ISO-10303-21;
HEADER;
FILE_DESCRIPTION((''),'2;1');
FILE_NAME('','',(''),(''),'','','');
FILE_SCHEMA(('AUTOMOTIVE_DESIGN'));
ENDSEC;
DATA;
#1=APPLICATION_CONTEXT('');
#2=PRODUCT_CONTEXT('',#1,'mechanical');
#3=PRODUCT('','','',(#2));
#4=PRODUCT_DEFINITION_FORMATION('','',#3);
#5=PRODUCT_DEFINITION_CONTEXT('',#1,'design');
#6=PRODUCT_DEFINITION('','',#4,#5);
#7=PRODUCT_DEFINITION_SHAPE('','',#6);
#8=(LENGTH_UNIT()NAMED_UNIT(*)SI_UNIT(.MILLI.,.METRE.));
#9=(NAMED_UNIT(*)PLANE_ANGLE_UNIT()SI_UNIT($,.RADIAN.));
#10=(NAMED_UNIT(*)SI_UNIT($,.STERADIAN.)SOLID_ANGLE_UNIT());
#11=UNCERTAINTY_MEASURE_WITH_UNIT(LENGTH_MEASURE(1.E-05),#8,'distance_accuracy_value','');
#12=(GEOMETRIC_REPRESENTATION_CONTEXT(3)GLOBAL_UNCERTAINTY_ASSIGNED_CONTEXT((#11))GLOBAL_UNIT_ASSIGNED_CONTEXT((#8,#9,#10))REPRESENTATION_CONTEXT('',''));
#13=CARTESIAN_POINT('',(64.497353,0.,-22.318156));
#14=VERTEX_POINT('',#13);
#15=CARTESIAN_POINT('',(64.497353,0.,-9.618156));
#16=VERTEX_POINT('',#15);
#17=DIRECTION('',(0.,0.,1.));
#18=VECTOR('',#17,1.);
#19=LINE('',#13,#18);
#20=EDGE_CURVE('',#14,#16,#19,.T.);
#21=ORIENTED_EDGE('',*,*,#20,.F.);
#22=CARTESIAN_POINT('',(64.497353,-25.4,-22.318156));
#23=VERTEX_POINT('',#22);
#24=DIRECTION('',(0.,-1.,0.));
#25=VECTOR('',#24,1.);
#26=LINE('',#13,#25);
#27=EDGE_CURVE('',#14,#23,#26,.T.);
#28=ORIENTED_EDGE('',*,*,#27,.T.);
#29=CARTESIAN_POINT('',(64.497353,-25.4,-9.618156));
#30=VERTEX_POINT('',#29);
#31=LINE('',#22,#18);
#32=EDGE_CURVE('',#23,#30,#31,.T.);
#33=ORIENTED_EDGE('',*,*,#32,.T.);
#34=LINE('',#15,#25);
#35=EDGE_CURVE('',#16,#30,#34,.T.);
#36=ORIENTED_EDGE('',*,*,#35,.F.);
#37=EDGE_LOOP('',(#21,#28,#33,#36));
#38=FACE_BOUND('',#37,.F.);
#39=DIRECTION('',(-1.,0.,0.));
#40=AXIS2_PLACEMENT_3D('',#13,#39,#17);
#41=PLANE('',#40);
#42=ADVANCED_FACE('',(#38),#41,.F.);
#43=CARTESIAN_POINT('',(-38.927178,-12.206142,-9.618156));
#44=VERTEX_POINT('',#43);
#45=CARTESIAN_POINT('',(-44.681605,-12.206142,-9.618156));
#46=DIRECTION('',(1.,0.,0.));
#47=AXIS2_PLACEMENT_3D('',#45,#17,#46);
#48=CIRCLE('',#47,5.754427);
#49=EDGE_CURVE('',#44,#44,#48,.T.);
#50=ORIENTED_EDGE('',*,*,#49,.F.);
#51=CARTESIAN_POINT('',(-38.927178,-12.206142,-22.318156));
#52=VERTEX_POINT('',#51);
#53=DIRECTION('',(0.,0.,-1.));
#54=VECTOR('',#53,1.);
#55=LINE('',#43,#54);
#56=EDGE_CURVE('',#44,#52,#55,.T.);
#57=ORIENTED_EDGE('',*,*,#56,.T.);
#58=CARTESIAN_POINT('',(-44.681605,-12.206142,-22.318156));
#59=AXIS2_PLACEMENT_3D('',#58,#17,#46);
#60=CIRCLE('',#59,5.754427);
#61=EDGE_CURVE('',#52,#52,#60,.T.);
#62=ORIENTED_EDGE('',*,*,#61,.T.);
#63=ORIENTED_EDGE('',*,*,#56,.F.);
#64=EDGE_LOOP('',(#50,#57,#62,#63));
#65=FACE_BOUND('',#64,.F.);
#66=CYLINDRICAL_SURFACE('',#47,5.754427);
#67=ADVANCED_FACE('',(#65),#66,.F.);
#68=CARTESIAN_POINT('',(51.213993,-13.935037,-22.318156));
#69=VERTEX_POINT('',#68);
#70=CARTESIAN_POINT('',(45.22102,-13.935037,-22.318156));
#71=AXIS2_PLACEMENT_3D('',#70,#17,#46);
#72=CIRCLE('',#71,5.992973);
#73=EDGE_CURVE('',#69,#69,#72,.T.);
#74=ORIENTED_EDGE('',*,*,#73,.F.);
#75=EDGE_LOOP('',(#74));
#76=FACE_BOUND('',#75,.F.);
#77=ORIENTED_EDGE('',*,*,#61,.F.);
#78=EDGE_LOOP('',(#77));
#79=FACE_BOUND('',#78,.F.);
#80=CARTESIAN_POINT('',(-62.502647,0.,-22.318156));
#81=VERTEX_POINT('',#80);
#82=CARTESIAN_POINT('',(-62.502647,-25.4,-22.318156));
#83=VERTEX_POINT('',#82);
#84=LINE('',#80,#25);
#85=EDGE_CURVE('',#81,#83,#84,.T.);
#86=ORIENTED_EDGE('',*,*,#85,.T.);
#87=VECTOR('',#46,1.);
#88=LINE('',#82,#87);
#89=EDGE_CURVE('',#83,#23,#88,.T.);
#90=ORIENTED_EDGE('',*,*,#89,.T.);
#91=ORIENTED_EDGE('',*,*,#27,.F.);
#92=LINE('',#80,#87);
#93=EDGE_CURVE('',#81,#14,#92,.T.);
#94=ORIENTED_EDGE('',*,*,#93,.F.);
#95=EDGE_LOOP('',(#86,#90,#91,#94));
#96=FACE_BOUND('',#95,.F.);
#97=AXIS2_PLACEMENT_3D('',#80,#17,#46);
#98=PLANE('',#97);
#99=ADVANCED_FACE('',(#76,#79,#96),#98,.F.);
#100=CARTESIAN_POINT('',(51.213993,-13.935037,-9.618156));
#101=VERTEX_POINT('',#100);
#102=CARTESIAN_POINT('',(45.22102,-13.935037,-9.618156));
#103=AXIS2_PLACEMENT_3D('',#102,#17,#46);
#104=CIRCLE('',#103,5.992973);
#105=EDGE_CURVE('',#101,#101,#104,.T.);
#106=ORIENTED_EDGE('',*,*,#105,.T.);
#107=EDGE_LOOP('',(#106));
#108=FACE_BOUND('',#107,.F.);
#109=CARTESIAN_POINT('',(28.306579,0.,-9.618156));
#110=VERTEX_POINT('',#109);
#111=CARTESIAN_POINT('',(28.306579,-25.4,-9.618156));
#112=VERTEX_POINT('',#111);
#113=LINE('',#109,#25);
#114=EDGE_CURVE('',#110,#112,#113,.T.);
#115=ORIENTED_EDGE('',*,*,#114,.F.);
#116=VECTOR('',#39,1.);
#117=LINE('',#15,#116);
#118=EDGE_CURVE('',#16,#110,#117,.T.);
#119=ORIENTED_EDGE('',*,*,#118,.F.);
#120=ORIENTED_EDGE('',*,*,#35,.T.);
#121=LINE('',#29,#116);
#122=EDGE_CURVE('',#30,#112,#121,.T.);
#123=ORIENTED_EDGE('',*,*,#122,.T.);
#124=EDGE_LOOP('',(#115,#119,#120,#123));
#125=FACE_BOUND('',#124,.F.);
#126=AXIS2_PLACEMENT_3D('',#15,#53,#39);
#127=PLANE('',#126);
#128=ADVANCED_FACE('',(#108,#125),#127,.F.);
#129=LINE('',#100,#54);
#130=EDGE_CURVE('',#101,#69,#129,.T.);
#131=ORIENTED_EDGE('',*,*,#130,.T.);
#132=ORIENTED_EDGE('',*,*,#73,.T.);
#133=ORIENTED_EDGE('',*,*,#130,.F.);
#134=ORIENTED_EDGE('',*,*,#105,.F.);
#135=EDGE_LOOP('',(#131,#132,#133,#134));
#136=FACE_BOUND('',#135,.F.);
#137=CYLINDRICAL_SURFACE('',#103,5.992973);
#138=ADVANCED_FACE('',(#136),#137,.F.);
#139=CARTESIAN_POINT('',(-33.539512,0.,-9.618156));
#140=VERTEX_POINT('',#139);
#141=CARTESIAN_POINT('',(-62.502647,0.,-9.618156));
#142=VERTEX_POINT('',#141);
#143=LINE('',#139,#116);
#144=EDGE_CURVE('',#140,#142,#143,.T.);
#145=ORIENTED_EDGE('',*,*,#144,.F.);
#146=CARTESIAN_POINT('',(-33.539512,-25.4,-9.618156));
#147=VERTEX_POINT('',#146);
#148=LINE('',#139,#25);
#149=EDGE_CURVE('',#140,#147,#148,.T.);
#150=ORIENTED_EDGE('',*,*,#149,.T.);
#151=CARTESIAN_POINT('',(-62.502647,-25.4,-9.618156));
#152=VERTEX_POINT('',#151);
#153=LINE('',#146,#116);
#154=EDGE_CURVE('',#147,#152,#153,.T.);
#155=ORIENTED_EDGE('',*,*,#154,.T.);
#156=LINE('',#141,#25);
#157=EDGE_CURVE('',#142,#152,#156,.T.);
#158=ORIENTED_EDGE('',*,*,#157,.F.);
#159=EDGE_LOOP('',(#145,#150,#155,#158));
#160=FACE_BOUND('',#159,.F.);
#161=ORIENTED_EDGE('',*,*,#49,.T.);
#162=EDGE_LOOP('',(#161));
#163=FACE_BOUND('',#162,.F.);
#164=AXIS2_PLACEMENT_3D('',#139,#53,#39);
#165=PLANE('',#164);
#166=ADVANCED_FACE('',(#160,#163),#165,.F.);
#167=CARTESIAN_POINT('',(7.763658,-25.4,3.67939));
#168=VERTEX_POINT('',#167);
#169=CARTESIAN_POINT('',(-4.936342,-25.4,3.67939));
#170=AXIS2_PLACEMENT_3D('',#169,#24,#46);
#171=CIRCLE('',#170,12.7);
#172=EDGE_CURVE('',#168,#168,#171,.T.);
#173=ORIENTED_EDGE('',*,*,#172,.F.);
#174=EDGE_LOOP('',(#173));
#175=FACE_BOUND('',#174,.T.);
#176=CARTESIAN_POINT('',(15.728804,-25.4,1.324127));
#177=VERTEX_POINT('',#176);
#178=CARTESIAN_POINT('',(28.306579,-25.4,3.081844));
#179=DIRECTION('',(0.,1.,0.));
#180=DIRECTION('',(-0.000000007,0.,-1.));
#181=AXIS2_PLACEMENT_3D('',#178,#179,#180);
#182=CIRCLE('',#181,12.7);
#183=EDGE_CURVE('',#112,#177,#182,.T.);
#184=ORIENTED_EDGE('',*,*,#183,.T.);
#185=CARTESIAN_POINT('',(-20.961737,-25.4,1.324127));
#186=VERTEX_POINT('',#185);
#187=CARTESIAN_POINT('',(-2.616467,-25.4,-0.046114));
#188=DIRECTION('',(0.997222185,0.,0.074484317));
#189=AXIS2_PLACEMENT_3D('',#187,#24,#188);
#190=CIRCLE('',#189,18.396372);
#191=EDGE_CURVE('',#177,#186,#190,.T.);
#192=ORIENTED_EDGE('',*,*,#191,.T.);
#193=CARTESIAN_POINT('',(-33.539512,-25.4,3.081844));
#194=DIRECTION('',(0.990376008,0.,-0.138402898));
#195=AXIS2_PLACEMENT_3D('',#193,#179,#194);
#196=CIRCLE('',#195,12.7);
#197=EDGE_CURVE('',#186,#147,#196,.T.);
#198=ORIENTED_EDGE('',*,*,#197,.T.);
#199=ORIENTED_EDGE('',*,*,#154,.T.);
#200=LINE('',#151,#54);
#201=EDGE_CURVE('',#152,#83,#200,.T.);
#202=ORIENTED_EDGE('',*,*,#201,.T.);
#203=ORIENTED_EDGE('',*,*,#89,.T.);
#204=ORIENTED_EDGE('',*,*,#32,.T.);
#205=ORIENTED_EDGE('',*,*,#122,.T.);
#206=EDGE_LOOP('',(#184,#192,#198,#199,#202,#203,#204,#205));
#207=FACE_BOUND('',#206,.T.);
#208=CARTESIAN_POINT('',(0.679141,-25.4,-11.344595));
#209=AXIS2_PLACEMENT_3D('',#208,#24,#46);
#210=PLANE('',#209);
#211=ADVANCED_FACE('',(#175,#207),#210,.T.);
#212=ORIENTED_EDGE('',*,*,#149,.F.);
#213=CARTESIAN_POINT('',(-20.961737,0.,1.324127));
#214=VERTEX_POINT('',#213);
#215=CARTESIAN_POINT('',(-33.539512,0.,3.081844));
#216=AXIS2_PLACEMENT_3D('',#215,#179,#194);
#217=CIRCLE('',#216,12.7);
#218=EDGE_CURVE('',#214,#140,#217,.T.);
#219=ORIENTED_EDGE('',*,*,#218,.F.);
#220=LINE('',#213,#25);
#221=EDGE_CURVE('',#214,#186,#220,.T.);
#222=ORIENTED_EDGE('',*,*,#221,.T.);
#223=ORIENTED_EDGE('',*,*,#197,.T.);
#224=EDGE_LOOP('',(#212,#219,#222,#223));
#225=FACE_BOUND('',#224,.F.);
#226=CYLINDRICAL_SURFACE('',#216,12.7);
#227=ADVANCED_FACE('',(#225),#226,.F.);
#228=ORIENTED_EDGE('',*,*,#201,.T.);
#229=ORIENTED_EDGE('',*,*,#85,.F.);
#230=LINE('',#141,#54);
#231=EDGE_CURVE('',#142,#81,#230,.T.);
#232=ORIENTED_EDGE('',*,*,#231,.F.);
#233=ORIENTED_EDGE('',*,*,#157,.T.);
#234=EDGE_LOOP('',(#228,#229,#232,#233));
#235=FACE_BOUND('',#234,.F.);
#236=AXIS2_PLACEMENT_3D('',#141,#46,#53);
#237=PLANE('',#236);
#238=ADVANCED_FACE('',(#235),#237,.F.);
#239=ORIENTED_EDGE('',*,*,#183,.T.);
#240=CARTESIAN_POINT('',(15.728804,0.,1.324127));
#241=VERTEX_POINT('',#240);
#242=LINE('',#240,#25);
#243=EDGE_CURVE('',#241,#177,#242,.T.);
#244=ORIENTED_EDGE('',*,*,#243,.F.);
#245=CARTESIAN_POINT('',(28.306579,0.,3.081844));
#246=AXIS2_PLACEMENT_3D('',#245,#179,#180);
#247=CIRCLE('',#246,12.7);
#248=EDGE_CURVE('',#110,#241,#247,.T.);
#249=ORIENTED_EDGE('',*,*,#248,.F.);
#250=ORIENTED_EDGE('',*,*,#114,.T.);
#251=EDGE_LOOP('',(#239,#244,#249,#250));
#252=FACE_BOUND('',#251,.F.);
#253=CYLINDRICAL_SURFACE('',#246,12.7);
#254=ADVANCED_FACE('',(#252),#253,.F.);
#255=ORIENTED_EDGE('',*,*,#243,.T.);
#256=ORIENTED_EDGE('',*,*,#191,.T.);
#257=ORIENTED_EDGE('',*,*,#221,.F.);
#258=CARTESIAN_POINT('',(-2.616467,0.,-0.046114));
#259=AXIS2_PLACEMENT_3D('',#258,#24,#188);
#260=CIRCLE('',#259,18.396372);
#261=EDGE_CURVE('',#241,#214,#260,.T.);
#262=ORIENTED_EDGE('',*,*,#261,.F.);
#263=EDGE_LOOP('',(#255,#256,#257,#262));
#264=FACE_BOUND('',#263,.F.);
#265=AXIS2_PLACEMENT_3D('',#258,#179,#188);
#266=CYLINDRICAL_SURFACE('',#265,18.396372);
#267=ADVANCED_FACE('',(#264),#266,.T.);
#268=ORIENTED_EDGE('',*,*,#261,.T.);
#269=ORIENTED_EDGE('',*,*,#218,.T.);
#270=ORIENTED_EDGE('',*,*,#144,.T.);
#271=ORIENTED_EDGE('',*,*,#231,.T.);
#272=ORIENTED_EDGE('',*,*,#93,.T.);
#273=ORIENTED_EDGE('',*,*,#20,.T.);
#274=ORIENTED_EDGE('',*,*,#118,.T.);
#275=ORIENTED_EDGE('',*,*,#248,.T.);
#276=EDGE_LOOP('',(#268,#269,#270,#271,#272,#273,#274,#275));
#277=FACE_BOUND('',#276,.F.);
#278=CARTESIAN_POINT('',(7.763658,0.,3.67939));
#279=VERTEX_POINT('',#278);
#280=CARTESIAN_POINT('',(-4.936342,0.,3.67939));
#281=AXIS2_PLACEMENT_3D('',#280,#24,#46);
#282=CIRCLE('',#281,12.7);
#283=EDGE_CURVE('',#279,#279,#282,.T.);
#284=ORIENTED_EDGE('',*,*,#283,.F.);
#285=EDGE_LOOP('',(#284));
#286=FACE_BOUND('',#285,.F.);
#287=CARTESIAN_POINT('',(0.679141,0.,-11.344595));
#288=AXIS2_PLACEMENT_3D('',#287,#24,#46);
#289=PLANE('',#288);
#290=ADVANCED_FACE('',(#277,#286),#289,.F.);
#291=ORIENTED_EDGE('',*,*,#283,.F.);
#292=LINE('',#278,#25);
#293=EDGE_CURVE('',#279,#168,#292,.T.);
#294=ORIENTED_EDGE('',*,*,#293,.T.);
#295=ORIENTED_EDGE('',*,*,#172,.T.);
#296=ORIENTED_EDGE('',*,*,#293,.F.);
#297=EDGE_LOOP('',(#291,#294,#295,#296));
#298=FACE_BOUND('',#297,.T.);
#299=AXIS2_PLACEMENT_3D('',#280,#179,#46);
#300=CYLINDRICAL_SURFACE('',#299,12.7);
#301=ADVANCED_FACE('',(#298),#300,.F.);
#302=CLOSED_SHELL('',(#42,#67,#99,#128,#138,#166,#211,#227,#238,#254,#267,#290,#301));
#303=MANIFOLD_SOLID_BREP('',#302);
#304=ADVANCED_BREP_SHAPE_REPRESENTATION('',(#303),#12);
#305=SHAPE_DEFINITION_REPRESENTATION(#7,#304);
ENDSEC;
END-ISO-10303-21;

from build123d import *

# Parameters (mm, degrees)
F0_R     = 12.7
F1_DEPTH = 25.4
F2_R     = 5.754427
F4_DEPTH = 25.4
F3_R     = 5.992973
F5_DEPTH = 25.4


with BuildPart() as f1:
    # F0 (on Front) → F1 (new body)
    with BuildSketch(Plane.XZ):
        with BuildLine():
            Line((-33.539512, -9.618156), (-62.502647, -9.618156))
            Line((-62.502647, -9.618156), (-62.502647, -22.318156))
            Line((-62.502647, -22.318156), (64.497353, -22.318156))
            Line((64.497353, -22.318156), (64.497353, -9.618156))
            Line((64.497353, -9.618156), (28.306579, -9.618156))
            ThreePointArc((28.306579, -9.618156), (19.970903, -6.499727), (15.728804, 1.324127))
            ThreePointArc((15.728804, 1.324127), (-2.616467, 18.350258), (-20.961737, 1.324127))
            ThreePointArc((-20.961737, 1.324127), (-25.203836, -6.499727), (-33.539512, -9.618156))
        make_face()
        with Locations((-4.936342, 3.67939)):
            Circle(F0_R, mode=Mode.SUBTRACT)
    extrude(amount=F1_DEPTH)

    # F2 (on face) → F4 (cut)
    with BuildSketch(Plane.XY.offset(-9.618156)):
        with Locations((-44.681605, -12.206142)):
            Circle(F2_R)
    extrude(amount=-F4_DEPTH, mode=Mode.SUBTRACT)

    # F3 (on face) → F5 (cut)
    with BuildSketch(Plane.XY.offset(-9.618156)):
        with Locations((45.22102, -13.935037)):
            Circle(F3_R)
    extrude(amount=-F5_DEPTH, mode=Mode.SUBTRACT)


solid = f1.part
